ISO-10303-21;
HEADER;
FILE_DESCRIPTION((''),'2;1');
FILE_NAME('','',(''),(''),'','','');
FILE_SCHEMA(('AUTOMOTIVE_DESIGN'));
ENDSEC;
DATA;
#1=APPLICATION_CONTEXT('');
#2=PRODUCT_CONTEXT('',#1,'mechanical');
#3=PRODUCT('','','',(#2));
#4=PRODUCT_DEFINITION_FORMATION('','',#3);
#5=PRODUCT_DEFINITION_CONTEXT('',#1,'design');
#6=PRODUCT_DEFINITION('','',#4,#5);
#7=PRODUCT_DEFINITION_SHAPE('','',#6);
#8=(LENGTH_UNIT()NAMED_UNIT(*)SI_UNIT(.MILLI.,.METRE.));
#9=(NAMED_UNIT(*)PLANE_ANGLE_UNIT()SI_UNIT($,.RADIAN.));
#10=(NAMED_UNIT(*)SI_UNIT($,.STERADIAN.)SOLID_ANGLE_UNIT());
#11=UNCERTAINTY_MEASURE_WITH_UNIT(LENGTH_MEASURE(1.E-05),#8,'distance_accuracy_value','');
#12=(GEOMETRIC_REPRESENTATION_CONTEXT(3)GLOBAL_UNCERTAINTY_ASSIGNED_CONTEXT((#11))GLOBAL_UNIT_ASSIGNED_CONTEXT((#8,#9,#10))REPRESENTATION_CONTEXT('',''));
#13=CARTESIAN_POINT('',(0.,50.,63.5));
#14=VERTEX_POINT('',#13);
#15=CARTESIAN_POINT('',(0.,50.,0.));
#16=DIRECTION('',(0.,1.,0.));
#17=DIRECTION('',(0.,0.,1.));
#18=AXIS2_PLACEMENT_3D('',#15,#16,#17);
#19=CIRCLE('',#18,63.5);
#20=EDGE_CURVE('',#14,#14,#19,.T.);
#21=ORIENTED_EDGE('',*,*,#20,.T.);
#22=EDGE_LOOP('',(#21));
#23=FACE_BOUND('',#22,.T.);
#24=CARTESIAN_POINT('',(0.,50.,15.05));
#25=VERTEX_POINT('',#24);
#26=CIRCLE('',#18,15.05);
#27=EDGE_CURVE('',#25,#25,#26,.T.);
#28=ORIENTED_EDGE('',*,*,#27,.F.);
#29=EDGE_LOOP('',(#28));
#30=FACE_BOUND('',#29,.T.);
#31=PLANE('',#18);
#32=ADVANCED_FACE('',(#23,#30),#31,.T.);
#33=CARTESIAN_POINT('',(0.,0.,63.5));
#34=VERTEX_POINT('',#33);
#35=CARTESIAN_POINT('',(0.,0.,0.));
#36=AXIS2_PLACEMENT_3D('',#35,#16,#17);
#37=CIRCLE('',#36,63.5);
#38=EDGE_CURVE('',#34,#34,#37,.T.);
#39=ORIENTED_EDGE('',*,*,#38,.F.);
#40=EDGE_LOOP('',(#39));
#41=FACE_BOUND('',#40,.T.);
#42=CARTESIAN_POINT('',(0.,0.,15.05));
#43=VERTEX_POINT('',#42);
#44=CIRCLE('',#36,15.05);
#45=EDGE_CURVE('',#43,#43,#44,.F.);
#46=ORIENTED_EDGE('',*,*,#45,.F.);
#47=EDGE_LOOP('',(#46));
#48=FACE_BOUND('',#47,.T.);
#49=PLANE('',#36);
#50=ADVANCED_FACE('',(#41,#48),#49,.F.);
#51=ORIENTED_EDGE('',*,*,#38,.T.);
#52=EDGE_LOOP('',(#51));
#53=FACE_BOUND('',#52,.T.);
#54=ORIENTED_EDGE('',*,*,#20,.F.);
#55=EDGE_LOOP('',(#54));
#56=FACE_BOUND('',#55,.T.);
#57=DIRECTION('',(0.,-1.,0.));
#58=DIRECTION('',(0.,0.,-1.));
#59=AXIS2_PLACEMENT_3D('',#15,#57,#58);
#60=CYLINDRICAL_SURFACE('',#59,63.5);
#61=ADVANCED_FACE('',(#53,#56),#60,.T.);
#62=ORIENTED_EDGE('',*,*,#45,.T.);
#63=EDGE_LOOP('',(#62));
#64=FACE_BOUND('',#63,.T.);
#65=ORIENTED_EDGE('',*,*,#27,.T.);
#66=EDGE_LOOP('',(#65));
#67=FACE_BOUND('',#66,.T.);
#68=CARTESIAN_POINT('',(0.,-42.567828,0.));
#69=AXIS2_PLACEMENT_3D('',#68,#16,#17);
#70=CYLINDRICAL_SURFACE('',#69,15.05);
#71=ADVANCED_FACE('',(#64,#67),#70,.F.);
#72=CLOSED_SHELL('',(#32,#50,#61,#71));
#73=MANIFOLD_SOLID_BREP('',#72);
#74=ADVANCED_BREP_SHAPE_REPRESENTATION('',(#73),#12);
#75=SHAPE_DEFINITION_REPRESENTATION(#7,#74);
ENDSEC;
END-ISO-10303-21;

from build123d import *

# Parameters (mm, degrees)
SKETCH1_R           = 63.5
BOSS_EXTRUDE1_DEPTH = 50
SKETCH2_R           = 15.05
CUT_EXTRUDE1_DEPTH  = 50


with BuildPart() as part:
    # Sketch1 → Boss-Extrude1 (new body)
    with BuildSketch(Plane(origin=(0, 0, 0), x_dir=(1, 0, 0), z_dir=(0, 1, 0))):
        Circle(SKETCH1_R)
    extrude(amount=BOSS_EXTRUDE1_DEPTH)

    # Sketch2 → Cut-Extrude1 (cut)
    with BuildSketch(Plane(origin=(0, 50, 0), x_dir=(1, 0, 0), z_dir=(0, 1, 0))):
        Circle(SKETCH2_R)
    extrude(amount=-CUT_EXTRUDE1_DEPTH, mode=Mode.SUBTRACT)


solid = part.part
